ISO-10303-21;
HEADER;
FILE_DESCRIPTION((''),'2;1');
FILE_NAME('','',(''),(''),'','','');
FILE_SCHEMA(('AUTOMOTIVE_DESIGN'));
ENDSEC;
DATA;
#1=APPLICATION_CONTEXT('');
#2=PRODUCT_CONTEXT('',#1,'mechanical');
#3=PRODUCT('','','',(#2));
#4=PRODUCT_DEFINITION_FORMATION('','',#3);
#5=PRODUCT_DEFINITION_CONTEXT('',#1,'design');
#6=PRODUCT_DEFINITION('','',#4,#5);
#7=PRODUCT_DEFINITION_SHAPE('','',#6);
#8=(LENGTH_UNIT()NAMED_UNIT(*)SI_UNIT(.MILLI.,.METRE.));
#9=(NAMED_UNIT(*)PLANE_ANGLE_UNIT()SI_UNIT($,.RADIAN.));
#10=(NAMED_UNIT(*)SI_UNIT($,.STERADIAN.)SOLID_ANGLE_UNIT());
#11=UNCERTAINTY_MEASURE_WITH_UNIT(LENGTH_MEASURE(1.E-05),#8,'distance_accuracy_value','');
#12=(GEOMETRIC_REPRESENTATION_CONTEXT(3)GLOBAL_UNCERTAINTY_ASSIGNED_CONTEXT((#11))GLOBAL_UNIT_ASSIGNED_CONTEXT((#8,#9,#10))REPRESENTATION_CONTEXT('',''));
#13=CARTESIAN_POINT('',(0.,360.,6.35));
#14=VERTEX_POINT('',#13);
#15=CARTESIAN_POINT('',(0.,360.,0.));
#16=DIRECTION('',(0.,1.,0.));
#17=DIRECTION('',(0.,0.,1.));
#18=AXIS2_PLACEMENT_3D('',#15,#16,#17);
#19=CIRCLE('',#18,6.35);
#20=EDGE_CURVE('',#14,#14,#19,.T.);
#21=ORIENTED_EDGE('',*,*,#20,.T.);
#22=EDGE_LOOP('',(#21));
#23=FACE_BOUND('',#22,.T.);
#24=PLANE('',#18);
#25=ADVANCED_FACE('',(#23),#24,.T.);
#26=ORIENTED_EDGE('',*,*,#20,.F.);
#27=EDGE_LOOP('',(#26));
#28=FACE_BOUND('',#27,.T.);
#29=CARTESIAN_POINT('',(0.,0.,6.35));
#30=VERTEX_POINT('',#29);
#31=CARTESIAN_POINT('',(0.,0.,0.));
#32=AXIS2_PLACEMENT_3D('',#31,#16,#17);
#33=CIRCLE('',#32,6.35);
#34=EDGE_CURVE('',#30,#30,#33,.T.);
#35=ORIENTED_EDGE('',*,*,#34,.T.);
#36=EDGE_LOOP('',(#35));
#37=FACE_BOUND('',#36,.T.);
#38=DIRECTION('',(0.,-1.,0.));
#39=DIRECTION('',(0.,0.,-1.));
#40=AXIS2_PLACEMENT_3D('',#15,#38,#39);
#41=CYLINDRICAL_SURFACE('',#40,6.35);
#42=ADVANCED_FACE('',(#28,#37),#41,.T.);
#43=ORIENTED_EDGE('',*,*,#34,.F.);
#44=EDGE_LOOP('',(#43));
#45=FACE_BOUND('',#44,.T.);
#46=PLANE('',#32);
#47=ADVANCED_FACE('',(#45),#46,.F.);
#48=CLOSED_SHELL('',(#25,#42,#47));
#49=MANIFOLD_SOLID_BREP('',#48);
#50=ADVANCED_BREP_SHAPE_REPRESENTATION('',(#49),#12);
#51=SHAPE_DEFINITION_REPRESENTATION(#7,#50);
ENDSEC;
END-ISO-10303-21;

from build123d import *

# Parameters (mm, degrees)
CROQUIS1_R = 6.35


with BuildPart() as part:
    # Barrer1: sweep along a path in Croquis2
    with BuildLine(Plane.XY) as barrer1_path:
        Line((0, 0), (0, 360))
    # Croquis1 → Barrer1 (sweep)
    with BuildSketch(Plane(origin=(0, 0, 0), x_dir=(1, 0, 0), z_dir=(0, 1, 0))):
        Circle(CROQUIS1_R)
    sweep(path=barrer1_path.line)


solid = part.part
